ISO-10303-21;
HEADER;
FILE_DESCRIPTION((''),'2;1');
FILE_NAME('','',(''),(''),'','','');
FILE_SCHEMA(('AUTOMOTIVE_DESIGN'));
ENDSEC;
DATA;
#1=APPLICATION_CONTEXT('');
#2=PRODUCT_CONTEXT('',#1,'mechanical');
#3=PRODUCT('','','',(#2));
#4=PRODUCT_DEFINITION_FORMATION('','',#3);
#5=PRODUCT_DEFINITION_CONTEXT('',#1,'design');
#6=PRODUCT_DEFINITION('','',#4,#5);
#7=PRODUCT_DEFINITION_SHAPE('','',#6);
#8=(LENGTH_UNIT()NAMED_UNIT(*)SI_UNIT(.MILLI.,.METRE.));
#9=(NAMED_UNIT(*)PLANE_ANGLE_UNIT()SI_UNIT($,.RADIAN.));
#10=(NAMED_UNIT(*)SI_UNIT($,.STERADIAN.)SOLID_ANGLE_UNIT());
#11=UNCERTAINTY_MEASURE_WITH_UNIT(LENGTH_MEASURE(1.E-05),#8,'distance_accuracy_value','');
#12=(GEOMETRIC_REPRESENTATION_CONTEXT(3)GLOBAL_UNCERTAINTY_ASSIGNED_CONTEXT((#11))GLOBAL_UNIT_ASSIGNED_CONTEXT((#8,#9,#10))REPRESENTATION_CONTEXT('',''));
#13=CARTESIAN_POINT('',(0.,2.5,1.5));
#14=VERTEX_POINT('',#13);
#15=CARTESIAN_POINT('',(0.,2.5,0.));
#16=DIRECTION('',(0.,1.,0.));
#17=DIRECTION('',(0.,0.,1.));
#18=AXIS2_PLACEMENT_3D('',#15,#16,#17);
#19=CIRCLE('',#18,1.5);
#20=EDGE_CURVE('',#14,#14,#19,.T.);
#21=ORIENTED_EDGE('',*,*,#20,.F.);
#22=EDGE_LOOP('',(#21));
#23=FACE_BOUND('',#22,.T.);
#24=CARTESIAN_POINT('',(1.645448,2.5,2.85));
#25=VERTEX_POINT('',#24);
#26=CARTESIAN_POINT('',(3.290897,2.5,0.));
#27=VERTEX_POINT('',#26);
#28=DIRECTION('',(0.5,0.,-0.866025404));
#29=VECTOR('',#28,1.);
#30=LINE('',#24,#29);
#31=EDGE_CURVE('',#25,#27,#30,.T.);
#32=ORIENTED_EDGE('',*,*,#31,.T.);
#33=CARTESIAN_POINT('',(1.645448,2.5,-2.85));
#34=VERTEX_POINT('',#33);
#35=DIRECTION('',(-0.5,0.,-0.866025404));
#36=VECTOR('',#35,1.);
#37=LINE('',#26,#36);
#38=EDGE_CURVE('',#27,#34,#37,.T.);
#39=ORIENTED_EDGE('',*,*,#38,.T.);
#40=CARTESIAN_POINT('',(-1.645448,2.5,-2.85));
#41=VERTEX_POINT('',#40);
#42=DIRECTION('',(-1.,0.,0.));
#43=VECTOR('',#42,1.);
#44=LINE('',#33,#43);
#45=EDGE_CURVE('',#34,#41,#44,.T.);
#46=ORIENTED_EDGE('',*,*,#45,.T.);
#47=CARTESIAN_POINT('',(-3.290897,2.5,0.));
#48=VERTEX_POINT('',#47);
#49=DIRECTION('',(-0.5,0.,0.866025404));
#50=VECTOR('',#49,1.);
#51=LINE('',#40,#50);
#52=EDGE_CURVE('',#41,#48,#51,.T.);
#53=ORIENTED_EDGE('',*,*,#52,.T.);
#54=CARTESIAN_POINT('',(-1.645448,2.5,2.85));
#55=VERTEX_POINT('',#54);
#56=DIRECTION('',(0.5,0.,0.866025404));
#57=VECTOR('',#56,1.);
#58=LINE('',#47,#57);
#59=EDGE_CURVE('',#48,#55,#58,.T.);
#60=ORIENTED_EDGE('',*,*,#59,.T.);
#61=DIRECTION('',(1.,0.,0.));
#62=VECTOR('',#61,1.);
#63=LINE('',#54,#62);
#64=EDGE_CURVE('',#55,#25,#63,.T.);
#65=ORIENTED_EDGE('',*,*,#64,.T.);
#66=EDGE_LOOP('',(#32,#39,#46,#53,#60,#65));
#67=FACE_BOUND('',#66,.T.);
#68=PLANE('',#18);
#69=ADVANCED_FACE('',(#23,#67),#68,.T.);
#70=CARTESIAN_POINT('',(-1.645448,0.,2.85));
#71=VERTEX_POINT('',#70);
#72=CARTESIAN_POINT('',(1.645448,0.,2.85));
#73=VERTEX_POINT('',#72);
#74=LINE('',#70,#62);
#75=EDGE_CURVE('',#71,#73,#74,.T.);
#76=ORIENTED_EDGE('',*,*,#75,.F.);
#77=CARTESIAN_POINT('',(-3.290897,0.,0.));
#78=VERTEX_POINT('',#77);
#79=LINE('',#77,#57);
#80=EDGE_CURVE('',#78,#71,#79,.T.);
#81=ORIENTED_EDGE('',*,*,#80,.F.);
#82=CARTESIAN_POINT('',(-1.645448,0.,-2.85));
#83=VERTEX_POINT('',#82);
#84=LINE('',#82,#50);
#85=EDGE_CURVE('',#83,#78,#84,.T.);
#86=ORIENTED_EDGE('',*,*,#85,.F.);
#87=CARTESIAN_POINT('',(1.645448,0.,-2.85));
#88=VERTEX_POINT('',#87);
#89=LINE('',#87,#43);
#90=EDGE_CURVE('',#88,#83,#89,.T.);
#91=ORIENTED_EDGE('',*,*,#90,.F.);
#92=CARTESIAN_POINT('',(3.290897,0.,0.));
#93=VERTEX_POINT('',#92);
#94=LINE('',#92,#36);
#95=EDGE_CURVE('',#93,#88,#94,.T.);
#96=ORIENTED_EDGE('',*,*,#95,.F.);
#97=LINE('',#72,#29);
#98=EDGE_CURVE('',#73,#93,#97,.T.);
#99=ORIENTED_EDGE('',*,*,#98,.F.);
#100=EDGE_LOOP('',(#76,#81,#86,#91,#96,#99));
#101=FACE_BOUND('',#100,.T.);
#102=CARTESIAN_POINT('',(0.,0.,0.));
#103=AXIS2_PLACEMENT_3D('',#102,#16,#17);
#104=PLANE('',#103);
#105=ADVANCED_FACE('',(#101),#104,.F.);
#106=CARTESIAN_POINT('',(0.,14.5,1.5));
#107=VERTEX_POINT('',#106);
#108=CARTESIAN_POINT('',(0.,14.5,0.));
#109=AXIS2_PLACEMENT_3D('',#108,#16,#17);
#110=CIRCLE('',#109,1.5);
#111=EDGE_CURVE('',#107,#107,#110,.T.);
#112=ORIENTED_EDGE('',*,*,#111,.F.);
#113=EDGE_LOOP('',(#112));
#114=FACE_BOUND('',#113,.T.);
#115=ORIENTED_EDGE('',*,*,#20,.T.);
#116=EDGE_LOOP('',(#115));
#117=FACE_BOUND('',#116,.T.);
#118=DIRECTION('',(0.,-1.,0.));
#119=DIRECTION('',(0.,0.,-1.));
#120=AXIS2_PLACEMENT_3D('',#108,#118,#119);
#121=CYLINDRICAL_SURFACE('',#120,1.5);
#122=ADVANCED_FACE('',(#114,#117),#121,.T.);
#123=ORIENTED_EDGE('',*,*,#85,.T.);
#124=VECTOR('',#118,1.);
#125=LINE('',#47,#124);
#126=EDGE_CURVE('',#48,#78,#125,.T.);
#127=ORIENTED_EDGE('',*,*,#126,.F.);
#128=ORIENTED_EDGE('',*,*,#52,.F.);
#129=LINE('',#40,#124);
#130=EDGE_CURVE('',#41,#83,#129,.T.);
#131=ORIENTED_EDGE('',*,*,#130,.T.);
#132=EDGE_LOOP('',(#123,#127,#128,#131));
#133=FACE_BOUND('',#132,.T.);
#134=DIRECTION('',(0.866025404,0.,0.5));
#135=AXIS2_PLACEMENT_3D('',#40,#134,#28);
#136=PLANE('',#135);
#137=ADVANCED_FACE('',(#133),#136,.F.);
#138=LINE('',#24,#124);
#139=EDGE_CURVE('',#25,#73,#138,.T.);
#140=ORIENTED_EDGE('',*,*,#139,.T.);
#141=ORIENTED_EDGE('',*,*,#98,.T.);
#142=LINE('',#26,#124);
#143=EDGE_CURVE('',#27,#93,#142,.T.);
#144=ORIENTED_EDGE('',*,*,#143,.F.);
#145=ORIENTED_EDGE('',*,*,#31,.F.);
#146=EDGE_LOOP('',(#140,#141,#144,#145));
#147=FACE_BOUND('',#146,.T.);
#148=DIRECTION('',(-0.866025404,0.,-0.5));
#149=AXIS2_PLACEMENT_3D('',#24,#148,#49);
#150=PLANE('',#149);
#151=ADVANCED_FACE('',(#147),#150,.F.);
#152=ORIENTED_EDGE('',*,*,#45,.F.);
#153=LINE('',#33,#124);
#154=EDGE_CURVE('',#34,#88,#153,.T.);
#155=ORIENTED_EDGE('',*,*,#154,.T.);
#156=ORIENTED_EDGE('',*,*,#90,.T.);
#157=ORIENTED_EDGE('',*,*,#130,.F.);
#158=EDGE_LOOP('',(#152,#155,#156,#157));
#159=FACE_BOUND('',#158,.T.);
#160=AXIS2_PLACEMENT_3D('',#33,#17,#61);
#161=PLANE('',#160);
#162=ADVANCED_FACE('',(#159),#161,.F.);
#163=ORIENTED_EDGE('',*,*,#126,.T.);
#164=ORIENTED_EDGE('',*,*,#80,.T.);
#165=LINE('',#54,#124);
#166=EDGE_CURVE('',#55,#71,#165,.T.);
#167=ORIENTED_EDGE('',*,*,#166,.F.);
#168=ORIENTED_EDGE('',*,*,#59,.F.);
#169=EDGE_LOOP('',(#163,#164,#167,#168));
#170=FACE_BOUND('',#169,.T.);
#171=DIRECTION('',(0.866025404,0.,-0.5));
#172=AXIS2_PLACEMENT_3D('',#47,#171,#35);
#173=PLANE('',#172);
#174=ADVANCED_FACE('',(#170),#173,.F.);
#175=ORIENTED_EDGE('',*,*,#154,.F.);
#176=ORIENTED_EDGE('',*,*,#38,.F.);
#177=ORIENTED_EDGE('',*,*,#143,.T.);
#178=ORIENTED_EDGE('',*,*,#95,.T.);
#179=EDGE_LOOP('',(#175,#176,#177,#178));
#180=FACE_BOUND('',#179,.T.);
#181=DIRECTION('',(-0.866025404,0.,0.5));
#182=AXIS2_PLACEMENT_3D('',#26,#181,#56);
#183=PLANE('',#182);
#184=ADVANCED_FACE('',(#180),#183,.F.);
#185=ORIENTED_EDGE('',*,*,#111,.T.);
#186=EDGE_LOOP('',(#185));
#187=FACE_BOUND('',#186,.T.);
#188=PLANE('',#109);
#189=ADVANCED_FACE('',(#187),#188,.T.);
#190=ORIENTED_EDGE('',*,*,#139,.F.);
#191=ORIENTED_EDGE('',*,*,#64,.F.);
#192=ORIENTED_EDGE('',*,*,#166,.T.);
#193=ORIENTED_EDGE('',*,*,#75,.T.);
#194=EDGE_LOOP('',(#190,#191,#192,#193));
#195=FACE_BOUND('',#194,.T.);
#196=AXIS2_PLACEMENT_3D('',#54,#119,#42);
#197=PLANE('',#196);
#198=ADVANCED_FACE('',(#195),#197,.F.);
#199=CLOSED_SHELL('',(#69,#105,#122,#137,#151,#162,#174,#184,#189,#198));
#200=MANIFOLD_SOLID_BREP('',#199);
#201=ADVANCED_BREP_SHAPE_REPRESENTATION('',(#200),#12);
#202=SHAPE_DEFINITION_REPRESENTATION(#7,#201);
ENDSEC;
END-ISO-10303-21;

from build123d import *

# Parameters (mm, degrees)
BOLT_HEAD_DEPTH  = 2.5
SKETCH2_R        = 1.5
BOLT_SHAFT_DEPTH = 12


with BuildPart() as part:
    # Sketch1 → Bolt_Head (new body)
    with BuildSketch(Plane(origin=(0, 0, 0), x_dir=(1, 0, 0), z_dir=(0, 1, 0))):
        Polygon((3.290896534, 0), (1.645448267, 2.85), (-1.645448267, 2.85), (-3.290896534, 0), (-1.645448267, -2.85), (1.645448267, -2.85), align=None)
    extrude(amount=BOLT_HEAD_DEPTH)

    # Sketch2 → Bolt_Shaft (add)
    with BuildSketch(Plane(origin=(0, 2.5, 0), x_dir=(1, 0, 0), z_dir=(0, 1, 0))):
        with Locations(Location((0, 0, 0), (0, 0, 270))):
            Circle(SKETCH2_R)
    extrude(amount=BOLT_SHAFT_DEPTH)


solid = part.part
